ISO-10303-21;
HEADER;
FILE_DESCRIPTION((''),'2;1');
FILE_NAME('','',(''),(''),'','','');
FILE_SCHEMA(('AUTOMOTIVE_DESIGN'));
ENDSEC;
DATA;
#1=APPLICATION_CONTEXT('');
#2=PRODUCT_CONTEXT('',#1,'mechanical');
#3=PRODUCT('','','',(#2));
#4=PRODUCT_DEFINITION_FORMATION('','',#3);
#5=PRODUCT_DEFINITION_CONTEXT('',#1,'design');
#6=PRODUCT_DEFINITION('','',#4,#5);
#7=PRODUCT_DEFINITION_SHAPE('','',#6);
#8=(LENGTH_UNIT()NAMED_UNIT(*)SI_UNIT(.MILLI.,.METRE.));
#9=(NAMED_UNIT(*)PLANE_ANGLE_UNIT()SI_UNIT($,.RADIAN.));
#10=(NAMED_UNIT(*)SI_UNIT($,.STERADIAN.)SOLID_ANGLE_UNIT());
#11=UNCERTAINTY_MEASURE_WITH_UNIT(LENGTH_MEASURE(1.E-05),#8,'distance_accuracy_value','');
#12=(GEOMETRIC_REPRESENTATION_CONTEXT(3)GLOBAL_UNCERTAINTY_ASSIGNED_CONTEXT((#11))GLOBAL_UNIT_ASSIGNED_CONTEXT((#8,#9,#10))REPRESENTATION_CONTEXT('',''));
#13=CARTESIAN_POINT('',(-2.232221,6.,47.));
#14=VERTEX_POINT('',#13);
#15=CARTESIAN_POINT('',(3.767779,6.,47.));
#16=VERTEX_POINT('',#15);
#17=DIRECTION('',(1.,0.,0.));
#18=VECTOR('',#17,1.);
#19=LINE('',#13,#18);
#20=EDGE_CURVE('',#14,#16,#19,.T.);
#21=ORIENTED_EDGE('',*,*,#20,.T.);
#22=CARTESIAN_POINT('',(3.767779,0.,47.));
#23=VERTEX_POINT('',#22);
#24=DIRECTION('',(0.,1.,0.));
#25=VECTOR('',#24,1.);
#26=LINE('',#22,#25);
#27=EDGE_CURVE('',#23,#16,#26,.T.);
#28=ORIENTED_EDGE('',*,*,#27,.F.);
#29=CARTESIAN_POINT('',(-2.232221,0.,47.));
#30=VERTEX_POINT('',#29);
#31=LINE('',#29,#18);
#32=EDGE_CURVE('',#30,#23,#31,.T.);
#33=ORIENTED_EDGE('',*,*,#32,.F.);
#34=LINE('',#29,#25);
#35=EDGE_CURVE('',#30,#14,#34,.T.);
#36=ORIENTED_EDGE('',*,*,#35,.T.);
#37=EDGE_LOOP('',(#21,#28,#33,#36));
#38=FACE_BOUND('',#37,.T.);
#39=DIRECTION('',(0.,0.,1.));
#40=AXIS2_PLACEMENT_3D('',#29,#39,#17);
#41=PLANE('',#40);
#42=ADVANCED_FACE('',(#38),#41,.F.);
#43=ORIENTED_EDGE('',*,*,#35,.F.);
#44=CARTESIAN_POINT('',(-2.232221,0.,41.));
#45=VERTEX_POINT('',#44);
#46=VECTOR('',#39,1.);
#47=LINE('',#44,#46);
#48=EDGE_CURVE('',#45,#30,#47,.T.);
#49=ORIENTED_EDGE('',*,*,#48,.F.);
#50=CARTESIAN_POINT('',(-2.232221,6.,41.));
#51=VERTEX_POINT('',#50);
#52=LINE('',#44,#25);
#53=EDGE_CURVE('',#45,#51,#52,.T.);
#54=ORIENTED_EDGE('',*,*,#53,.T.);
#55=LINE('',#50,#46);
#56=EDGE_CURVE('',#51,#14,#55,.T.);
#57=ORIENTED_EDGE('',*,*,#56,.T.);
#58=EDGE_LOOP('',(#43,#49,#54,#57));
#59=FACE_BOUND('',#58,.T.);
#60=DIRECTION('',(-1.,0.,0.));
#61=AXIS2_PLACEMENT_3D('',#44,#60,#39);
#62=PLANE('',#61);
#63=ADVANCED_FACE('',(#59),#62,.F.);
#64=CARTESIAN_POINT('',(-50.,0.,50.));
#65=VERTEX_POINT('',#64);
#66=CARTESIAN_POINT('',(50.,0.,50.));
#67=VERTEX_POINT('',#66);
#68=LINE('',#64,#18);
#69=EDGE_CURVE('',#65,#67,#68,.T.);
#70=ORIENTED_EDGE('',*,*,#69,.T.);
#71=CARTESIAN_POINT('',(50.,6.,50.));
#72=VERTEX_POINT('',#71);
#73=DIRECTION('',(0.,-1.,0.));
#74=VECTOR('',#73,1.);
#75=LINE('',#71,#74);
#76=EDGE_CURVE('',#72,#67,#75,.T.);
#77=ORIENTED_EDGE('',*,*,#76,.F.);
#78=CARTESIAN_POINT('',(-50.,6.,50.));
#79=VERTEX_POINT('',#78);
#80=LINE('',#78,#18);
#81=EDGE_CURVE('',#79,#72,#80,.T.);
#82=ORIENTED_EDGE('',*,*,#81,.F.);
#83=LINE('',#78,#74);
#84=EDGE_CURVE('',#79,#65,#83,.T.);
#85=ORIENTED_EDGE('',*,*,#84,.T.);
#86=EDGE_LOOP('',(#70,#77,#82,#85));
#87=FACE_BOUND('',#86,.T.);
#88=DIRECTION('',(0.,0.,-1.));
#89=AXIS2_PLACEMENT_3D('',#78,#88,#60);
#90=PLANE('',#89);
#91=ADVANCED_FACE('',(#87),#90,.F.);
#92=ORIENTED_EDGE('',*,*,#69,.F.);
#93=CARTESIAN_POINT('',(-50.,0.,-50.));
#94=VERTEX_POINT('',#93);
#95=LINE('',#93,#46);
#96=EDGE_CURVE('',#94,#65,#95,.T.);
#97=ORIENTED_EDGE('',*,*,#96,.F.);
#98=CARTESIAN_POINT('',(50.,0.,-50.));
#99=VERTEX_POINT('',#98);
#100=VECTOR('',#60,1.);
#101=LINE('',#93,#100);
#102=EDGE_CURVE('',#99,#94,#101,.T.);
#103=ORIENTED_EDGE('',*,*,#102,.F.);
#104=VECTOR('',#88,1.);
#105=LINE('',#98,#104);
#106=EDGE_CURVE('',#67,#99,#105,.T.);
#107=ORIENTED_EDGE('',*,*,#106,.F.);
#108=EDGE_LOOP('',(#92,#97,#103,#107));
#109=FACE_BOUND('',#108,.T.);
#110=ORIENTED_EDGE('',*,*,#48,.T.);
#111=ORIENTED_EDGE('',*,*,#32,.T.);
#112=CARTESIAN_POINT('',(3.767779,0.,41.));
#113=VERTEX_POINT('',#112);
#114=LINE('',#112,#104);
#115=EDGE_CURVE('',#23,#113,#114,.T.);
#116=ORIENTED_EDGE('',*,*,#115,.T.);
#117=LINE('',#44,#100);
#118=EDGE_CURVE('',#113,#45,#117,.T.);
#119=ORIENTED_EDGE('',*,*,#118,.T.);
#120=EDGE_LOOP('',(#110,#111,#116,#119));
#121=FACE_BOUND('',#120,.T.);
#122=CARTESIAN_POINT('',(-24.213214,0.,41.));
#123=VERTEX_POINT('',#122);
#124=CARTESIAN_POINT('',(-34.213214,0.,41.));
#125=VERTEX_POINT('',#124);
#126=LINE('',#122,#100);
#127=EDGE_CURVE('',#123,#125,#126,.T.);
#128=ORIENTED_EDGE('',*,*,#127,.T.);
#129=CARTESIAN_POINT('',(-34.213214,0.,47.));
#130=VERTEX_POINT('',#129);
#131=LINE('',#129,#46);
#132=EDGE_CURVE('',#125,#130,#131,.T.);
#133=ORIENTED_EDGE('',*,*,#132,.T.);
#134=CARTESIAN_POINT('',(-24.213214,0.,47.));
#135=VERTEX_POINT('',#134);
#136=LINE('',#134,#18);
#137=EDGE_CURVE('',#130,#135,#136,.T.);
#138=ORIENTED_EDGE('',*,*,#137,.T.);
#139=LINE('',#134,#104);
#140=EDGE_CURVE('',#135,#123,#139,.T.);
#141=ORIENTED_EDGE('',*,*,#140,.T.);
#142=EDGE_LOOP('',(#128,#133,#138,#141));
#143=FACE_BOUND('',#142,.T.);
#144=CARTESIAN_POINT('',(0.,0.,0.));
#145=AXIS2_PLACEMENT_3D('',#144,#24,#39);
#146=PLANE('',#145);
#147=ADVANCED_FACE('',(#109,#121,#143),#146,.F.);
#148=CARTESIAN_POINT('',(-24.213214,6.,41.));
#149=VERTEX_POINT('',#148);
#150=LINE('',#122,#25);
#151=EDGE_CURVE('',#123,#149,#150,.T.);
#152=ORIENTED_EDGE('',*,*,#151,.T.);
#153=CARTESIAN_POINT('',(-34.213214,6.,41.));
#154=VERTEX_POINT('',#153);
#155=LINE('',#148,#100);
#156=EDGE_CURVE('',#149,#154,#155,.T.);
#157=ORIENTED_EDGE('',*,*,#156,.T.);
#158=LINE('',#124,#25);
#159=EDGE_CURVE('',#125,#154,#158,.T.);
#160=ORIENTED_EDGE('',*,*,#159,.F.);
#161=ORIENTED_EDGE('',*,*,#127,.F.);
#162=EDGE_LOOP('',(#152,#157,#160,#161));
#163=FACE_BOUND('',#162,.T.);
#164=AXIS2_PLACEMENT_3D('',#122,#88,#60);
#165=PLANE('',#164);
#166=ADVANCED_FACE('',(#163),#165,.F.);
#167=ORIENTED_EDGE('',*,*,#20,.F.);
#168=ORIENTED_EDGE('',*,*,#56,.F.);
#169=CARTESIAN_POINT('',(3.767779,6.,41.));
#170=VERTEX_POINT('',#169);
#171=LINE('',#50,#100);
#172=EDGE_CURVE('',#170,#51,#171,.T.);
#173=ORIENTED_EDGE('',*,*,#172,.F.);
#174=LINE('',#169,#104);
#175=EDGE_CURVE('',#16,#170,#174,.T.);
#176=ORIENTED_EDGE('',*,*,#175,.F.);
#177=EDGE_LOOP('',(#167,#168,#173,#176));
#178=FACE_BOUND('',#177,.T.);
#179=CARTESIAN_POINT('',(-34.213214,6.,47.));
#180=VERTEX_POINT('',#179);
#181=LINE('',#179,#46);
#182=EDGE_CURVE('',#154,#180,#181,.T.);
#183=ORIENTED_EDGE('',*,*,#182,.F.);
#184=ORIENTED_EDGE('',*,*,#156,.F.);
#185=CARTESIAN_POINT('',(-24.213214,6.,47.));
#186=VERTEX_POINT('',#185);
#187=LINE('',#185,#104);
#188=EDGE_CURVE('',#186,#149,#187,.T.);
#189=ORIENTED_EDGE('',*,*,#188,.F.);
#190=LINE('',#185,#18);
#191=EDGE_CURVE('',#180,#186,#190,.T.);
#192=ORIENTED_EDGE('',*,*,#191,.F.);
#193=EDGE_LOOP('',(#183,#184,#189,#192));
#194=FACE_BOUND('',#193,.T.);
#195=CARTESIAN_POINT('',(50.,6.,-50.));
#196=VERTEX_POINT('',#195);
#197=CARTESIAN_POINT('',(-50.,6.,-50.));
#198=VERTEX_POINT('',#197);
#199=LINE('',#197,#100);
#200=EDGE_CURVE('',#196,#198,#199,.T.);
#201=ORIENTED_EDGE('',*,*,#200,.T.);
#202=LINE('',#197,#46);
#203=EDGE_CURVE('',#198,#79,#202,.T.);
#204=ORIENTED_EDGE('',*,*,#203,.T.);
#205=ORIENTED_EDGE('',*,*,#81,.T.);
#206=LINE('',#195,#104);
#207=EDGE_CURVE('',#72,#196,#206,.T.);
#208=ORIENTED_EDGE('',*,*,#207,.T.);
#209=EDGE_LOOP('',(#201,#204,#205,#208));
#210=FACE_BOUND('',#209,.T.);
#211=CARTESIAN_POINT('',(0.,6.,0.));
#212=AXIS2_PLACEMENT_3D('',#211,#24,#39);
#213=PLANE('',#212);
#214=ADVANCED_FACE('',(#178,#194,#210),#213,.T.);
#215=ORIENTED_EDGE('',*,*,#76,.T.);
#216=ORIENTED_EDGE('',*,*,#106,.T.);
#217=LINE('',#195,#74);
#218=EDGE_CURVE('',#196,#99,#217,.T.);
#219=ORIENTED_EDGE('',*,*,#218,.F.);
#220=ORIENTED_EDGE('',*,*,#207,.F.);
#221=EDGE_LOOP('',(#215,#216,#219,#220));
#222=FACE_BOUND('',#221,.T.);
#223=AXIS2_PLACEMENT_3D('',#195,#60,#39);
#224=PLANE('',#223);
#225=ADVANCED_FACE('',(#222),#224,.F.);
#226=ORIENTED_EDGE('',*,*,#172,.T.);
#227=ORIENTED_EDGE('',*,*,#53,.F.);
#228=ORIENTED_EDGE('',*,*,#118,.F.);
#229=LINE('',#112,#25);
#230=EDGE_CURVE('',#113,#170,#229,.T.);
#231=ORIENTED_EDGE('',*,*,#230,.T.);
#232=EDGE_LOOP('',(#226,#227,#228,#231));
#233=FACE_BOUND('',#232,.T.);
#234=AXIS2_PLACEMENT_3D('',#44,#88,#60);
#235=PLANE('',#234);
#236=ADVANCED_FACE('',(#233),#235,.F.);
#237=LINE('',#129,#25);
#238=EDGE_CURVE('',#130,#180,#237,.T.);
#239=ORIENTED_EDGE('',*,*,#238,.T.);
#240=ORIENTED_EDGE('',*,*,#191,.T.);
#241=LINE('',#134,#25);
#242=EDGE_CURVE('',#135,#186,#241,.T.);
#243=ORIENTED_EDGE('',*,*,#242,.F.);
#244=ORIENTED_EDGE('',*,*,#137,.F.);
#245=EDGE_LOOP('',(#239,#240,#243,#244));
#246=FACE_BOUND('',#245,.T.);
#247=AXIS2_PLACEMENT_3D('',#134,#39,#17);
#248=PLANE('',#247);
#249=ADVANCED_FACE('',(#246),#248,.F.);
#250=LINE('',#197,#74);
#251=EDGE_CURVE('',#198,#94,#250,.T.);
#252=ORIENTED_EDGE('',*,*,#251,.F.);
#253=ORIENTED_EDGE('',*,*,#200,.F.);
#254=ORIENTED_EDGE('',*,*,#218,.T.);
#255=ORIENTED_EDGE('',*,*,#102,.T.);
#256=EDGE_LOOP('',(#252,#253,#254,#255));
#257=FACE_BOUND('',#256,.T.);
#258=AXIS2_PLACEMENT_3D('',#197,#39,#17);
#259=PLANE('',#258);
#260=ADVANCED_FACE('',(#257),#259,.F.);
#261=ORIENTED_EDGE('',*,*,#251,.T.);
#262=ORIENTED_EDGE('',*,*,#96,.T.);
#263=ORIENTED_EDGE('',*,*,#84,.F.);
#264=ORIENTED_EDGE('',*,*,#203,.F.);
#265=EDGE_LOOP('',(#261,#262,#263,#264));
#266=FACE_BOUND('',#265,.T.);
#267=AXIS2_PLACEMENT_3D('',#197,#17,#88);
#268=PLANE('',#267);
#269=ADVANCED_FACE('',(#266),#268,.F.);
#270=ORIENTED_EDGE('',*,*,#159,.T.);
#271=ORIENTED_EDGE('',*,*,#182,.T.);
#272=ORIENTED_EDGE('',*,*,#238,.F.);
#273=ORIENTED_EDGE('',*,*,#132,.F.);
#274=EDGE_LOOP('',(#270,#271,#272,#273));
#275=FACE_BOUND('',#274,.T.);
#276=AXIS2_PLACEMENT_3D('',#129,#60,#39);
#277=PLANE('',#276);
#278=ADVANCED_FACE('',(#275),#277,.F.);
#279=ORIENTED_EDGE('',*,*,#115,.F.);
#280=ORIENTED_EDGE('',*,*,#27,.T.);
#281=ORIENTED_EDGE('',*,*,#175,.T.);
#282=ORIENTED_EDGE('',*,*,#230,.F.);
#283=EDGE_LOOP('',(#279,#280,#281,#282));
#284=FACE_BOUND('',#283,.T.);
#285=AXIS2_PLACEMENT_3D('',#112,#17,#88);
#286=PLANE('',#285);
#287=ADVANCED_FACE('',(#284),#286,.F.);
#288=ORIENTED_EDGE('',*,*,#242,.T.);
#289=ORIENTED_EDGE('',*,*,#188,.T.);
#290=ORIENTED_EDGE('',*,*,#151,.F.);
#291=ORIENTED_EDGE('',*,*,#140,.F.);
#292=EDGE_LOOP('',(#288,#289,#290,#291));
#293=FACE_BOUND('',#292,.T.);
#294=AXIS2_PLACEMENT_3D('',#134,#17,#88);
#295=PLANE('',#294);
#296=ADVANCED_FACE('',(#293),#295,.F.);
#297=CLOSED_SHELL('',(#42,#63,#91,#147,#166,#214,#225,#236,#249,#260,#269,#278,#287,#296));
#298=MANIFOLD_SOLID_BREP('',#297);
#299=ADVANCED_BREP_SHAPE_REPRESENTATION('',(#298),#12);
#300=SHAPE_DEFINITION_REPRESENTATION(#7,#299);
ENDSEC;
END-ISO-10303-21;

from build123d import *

# Parameters (mm, degrees)
SKETCH1_W                = 100
SKETCH1_H                = 100
BOSS_EXTRUDE1_DEPTH      = 6
SKETCH6_W                = 6
SKETCH6_H                = 6
CUT_EXTRUDE1_DEPTH       = 4
CUT_EXTRUDE1_DEPTH_BACK  = 4
SKETCH62_W               = 10
SKETCH62_H               = 6
CUT_EXTRUDE12_DEPTH      = 4
CUT_EXTRUDE12_DEPTH_BACK = 4


with BuildPart() as part:
    # Sketch1 → Boss-Extrude1 (new body)
    with BuildSketch(Plane(origin=(0, 0, 0), x_dir=(1, 0, 0), z_dir=(0, 1, 0))):
        Rectangle(SKETCH1_W, SKETCH1_H)
    extrude(amount=BOSS_EXTRUDE1_DEPTH)

    # Sketch6 → Cut-Extrude1 (cut, two sides)
    with BuildSketch(Plane(origin=(0, 3, 0), x_dir=(1, 0, 0), z_dir=(0, 1, 0))) as cut_extrude1_sk:
        with Locations((0.767778608, -44)):
            Rectangle(SKETCH6_W, SKETCH6_H)
    extrude(amount=CUT_EXTRUDE1_DEPTH, mode=Mode.SUBTRACT)
    extrude(cut_extrude1_sk.sketch, amount=-CUT_EXTRUDE1_DEPTH_BACK, mode=Mode.SUBTRACT)

    # Sketch62 → Cut-Extrude12 (cut, two sides)
    with BuildSketch(Plane(origin=(-28.445435161, 3, 88), x_dir=(-1, 0, 0), z_dir=(0, 1, 0))) as cut_extrude12_sk:
        with Locations((0.767778608, -44)):
            Rectangle(SKETCH62_W, SKETCH62_H)
    extrude(amount=CUT_EXTRUDE12_DEPTH, mode=Mode.SUBTRACT)
    extrude(cut_extrude12_sk.sketch, amount=-CUT_EXTRUDE12_DEPTH_BACK, mode=Mode.SUBTRACT)


solid = part.part
